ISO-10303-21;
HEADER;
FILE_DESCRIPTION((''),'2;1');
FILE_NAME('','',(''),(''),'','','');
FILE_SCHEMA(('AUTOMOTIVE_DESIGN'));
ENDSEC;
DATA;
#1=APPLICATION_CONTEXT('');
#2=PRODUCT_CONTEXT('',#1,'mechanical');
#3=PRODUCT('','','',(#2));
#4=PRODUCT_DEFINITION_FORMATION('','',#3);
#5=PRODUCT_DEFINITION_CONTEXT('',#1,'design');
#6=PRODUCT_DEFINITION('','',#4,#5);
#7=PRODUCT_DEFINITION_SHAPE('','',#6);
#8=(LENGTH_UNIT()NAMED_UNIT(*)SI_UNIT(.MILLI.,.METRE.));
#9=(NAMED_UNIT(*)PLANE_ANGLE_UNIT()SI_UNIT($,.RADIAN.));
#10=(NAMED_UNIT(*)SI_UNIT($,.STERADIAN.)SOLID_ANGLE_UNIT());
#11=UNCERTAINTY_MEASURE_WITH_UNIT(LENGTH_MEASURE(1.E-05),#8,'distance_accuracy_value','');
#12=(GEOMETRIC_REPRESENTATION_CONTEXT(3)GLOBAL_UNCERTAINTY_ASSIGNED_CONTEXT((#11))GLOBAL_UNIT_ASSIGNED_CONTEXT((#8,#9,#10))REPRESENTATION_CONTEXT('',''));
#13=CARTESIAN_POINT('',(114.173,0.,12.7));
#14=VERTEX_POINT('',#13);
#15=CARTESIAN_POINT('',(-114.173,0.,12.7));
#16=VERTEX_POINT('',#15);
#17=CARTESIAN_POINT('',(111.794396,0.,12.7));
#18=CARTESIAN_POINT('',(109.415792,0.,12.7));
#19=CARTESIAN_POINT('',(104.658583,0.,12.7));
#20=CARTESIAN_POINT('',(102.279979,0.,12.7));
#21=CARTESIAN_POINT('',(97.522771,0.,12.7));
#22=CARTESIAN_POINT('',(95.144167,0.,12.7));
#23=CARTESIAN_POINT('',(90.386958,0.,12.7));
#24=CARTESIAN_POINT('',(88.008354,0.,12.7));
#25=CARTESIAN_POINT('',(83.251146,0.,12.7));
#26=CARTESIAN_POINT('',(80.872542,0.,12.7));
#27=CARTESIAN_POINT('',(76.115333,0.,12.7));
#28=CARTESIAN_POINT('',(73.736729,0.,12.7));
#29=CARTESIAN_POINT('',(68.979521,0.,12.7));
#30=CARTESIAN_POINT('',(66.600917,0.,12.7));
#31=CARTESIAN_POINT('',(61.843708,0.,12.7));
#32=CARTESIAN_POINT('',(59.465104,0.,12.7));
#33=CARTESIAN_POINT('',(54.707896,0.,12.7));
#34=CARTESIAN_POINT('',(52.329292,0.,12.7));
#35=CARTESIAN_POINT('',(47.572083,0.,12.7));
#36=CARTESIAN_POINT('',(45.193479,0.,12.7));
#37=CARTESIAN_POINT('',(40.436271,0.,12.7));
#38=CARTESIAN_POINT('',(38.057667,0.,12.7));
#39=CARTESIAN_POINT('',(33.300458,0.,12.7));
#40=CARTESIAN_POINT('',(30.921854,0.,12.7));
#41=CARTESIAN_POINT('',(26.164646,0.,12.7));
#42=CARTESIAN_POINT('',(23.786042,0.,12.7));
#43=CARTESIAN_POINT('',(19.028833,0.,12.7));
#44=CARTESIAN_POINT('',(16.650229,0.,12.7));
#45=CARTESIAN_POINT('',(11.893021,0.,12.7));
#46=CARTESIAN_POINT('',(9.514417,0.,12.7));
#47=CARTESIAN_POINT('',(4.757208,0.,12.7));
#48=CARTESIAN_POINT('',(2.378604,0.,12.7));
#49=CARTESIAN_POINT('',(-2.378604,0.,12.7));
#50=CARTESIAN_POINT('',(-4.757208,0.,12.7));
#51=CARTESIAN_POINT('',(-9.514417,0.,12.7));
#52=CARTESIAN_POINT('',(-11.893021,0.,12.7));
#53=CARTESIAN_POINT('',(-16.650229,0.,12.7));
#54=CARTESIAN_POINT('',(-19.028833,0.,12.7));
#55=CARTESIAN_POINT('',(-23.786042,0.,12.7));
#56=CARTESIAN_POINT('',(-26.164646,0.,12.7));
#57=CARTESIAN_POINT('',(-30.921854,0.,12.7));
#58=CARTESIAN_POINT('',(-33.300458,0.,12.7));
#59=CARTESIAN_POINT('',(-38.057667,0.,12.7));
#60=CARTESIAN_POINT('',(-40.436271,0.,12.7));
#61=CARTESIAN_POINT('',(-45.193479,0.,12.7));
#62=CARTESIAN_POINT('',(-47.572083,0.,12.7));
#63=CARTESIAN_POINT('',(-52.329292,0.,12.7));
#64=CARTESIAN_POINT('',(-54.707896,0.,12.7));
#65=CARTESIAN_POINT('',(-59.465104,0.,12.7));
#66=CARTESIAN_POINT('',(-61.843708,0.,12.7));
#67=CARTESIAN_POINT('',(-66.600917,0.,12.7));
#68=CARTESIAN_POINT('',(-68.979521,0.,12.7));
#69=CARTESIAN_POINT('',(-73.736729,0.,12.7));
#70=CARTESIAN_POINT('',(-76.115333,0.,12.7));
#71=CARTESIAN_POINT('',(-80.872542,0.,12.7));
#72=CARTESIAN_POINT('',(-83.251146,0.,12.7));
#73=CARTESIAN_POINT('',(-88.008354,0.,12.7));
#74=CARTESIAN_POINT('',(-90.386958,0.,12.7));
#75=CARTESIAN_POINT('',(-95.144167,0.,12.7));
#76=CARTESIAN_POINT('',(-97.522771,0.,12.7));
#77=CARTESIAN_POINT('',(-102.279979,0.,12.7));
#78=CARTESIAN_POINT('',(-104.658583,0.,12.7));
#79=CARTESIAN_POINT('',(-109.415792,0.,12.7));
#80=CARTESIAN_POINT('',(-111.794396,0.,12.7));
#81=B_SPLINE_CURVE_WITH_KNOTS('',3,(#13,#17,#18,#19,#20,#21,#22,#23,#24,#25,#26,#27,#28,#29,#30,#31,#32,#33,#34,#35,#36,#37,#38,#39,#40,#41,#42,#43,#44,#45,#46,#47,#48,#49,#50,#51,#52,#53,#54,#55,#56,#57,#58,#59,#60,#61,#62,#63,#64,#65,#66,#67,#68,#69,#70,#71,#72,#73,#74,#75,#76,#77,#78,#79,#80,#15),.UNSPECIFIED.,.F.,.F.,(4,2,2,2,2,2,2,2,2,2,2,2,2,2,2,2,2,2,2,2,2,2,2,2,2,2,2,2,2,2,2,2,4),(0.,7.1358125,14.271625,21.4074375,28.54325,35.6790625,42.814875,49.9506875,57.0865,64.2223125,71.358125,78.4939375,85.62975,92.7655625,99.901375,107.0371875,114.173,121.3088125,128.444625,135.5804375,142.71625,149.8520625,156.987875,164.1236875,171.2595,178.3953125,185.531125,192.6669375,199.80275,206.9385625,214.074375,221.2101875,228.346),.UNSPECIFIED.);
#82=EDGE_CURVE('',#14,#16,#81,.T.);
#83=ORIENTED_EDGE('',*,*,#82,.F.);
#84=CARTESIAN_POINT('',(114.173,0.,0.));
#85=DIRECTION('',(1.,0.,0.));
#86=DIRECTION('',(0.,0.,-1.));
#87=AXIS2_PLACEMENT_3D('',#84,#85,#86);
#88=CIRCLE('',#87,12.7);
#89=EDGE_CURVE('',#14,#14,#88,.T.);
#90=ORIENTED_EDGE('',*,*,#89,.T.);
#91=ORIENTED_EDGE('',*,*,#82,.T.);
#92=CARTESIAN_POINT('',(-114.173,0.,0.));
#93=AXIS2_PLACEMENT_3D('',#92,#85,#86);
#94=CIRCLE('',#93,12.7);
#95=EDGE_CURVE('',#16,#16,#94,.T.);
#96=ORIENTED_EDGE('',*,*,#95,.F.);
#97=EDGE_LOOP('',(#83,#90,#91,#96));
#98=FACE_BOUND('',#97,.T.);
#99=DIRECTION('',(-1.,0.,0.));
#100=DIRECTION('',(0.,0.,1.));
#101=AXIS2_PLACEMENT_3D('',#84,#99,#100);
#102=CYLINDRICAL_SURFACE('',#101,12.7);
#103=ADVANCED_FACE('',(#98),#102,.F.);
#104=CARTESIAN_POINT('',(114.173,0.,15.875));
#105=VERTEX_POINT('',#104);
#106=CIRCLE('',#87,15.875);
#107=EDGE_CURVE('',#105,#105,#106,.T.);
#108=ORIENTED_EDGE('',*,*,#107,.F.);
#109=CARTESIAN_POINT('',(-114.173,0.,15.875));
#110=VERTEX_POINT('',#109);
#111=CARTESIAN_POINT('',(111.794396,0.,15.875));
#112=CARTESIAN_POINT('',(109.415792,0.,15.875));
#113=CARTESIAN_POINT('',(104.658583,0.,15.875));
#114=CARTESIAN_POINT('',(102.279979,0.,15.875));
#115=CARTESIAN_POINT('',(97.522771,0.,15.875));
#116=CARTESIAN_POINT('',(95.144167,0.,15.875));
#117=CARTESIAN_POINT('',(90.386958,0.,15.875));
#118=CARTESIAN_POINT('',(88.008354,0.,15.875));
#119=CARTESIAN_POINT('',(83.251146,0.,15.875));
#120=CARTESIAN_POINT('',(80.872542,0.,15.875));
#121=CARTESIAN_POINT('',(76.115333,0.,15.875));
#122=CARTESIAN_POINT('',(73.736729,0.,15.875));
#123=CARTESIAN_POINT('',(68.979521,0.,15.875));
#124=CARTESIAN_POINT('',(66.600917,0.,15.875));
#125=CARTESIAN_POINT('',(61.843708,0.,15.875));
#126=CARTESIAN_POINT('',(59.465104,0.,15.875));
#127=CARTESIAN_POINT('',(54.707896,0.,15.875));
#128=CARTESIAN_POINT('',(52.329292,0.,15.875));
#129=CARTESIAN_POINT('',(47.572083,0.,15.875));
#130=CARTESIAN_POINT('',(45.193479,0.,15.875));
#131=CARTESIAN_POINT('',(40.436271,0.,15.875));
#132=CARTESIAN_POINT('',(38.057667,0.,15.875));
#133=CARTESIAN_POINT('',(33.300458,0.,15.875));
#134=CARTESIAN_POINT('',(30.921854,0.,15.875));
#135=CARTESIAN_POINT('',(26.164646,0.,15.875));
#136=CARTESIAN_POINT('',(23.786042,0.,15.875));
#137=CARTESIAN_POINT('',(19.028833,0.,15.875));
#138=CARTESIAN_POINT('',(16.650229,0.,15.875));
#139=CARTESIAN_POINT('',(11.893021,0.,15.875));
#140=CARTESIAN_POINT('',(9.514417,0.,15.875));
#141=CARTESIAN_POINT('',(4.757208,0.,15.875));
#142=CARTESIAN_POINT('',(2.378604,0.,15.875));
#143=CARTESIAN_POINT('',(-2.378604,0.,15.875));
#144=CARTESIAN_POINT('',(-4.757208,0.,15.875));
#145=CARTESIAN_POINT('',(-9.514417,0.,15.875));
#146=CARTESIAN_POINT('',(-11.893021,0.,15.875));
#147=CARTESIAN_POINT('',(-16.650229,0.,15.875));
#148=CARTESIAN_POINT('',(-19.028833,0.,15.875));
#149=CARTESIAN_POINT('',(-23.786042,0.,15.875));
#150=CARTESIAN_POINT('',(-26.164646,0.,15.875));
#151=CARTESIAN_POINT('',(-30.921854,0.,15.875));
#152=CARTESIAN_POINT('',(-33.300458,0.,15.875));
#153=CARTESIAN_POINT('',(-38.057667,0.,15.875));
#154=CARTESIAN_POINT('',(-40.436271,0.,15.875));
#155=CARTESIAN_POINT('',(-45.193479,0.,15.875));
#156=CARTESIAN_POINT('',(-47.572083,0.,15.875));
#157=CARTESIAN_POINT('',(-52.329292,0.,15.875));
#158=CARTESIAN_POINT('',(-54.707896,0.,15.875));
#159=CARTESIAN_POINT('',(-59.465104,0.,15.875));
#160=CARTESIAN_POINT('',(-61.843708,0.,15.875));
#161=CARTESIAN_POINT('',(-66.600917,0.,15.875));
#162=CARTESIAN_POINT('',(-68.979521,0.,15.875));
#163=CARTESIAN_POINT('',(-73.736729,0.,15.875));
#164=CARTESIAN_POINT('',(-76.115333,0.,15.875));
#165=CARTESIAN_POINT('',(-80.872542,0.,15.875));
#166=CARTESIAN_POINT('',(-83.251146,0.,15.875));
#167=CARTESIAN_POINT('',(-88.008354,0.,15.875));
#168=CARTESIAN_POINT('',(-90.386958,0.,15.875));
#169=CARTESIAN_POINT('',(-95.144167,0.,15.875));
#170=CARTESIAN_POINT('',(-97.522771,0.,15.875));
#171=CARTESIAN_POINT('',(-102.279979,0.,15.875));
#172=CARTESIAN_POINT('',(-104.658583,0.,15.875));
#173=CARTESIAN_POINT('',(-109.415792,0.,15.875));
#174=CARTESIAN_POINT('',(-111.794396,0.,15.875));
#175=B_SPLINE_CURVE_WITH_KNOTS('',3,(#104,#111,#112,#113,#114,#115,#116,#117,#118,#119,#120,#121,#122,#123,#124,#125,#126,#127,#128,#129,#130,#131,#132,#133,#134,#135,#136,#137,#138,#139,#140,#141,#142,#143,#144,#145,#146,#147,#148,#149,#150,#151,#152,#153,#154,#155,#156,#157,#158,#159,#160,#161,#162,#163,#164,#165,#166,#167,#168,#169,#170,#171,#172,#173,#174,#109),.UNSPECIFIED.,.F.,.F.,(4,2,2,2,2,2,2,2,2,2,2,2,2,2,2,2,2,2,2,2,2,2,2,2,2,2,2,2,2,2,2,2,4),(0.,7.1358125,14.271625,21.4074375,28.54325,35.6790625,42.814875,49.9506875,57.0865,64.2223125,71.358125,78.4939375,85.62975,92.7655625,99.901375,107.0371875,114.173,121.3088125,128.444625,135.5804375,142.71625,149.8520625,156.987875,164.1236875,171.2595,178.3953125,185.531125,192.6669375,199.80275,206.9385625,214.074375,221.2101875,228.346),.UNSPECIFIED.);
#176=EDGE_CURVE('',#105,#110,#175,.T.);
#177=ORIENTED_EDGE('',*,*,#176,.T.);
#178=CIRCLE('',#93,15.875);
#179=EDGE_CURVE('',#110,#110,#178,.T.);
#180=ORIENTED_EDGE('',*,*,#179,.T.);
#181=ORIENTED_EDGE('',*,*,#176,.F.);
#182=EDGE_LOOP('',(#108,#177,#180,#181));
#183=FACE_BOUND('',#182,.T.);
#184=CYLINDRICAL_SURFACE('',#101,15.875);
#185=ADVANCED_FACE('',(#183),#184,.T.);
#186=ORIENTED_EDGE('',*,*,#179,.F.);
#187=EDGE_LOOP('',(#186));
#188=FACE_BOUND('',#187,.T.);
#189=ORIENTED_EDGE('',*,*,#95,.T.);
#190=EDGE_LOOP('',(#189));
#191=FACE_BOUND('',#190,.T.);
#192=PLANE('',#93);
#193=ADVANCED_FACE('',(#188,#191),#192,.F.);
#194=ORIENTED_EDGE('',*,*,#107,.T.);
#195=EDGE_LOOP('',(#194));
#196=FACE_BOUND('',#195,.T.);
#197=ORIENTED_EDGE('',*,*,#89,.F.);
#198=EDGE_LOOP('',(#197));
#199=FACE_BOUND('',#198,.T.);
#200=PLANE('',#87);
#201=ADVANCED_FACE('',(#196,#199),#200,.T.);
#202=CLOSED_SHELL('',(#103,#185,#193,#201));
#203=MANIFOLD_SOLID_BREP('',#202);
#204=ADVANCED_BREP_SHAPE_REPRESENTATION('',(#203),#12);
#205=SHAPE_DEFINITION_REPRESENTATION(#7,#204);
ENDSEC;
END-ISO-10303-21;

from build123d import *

# Parameters (mm, degrees)
SKETCH1_R           = 15.875
SKETCH1_R_2         = 12.7
EXTRUDE_THIN1_DEPTH = 114.173


with BuildPart() as part:
    # Sketch1 → Extrude-Thin1 (new, symmetric)
    with BuildSketch(Plane(origin=(0, 0, 0), x_dir=(0, 0, -1), z_dir=(1, 0, 0))):
        Circle(SKETCH1_R)
        Circle(SKETCH1_R_2, mode=Mode.SUBTRACT)
    extrude(amount=EXTRUDE_THIN1_DEPTH, both=True)


solid = part.part
